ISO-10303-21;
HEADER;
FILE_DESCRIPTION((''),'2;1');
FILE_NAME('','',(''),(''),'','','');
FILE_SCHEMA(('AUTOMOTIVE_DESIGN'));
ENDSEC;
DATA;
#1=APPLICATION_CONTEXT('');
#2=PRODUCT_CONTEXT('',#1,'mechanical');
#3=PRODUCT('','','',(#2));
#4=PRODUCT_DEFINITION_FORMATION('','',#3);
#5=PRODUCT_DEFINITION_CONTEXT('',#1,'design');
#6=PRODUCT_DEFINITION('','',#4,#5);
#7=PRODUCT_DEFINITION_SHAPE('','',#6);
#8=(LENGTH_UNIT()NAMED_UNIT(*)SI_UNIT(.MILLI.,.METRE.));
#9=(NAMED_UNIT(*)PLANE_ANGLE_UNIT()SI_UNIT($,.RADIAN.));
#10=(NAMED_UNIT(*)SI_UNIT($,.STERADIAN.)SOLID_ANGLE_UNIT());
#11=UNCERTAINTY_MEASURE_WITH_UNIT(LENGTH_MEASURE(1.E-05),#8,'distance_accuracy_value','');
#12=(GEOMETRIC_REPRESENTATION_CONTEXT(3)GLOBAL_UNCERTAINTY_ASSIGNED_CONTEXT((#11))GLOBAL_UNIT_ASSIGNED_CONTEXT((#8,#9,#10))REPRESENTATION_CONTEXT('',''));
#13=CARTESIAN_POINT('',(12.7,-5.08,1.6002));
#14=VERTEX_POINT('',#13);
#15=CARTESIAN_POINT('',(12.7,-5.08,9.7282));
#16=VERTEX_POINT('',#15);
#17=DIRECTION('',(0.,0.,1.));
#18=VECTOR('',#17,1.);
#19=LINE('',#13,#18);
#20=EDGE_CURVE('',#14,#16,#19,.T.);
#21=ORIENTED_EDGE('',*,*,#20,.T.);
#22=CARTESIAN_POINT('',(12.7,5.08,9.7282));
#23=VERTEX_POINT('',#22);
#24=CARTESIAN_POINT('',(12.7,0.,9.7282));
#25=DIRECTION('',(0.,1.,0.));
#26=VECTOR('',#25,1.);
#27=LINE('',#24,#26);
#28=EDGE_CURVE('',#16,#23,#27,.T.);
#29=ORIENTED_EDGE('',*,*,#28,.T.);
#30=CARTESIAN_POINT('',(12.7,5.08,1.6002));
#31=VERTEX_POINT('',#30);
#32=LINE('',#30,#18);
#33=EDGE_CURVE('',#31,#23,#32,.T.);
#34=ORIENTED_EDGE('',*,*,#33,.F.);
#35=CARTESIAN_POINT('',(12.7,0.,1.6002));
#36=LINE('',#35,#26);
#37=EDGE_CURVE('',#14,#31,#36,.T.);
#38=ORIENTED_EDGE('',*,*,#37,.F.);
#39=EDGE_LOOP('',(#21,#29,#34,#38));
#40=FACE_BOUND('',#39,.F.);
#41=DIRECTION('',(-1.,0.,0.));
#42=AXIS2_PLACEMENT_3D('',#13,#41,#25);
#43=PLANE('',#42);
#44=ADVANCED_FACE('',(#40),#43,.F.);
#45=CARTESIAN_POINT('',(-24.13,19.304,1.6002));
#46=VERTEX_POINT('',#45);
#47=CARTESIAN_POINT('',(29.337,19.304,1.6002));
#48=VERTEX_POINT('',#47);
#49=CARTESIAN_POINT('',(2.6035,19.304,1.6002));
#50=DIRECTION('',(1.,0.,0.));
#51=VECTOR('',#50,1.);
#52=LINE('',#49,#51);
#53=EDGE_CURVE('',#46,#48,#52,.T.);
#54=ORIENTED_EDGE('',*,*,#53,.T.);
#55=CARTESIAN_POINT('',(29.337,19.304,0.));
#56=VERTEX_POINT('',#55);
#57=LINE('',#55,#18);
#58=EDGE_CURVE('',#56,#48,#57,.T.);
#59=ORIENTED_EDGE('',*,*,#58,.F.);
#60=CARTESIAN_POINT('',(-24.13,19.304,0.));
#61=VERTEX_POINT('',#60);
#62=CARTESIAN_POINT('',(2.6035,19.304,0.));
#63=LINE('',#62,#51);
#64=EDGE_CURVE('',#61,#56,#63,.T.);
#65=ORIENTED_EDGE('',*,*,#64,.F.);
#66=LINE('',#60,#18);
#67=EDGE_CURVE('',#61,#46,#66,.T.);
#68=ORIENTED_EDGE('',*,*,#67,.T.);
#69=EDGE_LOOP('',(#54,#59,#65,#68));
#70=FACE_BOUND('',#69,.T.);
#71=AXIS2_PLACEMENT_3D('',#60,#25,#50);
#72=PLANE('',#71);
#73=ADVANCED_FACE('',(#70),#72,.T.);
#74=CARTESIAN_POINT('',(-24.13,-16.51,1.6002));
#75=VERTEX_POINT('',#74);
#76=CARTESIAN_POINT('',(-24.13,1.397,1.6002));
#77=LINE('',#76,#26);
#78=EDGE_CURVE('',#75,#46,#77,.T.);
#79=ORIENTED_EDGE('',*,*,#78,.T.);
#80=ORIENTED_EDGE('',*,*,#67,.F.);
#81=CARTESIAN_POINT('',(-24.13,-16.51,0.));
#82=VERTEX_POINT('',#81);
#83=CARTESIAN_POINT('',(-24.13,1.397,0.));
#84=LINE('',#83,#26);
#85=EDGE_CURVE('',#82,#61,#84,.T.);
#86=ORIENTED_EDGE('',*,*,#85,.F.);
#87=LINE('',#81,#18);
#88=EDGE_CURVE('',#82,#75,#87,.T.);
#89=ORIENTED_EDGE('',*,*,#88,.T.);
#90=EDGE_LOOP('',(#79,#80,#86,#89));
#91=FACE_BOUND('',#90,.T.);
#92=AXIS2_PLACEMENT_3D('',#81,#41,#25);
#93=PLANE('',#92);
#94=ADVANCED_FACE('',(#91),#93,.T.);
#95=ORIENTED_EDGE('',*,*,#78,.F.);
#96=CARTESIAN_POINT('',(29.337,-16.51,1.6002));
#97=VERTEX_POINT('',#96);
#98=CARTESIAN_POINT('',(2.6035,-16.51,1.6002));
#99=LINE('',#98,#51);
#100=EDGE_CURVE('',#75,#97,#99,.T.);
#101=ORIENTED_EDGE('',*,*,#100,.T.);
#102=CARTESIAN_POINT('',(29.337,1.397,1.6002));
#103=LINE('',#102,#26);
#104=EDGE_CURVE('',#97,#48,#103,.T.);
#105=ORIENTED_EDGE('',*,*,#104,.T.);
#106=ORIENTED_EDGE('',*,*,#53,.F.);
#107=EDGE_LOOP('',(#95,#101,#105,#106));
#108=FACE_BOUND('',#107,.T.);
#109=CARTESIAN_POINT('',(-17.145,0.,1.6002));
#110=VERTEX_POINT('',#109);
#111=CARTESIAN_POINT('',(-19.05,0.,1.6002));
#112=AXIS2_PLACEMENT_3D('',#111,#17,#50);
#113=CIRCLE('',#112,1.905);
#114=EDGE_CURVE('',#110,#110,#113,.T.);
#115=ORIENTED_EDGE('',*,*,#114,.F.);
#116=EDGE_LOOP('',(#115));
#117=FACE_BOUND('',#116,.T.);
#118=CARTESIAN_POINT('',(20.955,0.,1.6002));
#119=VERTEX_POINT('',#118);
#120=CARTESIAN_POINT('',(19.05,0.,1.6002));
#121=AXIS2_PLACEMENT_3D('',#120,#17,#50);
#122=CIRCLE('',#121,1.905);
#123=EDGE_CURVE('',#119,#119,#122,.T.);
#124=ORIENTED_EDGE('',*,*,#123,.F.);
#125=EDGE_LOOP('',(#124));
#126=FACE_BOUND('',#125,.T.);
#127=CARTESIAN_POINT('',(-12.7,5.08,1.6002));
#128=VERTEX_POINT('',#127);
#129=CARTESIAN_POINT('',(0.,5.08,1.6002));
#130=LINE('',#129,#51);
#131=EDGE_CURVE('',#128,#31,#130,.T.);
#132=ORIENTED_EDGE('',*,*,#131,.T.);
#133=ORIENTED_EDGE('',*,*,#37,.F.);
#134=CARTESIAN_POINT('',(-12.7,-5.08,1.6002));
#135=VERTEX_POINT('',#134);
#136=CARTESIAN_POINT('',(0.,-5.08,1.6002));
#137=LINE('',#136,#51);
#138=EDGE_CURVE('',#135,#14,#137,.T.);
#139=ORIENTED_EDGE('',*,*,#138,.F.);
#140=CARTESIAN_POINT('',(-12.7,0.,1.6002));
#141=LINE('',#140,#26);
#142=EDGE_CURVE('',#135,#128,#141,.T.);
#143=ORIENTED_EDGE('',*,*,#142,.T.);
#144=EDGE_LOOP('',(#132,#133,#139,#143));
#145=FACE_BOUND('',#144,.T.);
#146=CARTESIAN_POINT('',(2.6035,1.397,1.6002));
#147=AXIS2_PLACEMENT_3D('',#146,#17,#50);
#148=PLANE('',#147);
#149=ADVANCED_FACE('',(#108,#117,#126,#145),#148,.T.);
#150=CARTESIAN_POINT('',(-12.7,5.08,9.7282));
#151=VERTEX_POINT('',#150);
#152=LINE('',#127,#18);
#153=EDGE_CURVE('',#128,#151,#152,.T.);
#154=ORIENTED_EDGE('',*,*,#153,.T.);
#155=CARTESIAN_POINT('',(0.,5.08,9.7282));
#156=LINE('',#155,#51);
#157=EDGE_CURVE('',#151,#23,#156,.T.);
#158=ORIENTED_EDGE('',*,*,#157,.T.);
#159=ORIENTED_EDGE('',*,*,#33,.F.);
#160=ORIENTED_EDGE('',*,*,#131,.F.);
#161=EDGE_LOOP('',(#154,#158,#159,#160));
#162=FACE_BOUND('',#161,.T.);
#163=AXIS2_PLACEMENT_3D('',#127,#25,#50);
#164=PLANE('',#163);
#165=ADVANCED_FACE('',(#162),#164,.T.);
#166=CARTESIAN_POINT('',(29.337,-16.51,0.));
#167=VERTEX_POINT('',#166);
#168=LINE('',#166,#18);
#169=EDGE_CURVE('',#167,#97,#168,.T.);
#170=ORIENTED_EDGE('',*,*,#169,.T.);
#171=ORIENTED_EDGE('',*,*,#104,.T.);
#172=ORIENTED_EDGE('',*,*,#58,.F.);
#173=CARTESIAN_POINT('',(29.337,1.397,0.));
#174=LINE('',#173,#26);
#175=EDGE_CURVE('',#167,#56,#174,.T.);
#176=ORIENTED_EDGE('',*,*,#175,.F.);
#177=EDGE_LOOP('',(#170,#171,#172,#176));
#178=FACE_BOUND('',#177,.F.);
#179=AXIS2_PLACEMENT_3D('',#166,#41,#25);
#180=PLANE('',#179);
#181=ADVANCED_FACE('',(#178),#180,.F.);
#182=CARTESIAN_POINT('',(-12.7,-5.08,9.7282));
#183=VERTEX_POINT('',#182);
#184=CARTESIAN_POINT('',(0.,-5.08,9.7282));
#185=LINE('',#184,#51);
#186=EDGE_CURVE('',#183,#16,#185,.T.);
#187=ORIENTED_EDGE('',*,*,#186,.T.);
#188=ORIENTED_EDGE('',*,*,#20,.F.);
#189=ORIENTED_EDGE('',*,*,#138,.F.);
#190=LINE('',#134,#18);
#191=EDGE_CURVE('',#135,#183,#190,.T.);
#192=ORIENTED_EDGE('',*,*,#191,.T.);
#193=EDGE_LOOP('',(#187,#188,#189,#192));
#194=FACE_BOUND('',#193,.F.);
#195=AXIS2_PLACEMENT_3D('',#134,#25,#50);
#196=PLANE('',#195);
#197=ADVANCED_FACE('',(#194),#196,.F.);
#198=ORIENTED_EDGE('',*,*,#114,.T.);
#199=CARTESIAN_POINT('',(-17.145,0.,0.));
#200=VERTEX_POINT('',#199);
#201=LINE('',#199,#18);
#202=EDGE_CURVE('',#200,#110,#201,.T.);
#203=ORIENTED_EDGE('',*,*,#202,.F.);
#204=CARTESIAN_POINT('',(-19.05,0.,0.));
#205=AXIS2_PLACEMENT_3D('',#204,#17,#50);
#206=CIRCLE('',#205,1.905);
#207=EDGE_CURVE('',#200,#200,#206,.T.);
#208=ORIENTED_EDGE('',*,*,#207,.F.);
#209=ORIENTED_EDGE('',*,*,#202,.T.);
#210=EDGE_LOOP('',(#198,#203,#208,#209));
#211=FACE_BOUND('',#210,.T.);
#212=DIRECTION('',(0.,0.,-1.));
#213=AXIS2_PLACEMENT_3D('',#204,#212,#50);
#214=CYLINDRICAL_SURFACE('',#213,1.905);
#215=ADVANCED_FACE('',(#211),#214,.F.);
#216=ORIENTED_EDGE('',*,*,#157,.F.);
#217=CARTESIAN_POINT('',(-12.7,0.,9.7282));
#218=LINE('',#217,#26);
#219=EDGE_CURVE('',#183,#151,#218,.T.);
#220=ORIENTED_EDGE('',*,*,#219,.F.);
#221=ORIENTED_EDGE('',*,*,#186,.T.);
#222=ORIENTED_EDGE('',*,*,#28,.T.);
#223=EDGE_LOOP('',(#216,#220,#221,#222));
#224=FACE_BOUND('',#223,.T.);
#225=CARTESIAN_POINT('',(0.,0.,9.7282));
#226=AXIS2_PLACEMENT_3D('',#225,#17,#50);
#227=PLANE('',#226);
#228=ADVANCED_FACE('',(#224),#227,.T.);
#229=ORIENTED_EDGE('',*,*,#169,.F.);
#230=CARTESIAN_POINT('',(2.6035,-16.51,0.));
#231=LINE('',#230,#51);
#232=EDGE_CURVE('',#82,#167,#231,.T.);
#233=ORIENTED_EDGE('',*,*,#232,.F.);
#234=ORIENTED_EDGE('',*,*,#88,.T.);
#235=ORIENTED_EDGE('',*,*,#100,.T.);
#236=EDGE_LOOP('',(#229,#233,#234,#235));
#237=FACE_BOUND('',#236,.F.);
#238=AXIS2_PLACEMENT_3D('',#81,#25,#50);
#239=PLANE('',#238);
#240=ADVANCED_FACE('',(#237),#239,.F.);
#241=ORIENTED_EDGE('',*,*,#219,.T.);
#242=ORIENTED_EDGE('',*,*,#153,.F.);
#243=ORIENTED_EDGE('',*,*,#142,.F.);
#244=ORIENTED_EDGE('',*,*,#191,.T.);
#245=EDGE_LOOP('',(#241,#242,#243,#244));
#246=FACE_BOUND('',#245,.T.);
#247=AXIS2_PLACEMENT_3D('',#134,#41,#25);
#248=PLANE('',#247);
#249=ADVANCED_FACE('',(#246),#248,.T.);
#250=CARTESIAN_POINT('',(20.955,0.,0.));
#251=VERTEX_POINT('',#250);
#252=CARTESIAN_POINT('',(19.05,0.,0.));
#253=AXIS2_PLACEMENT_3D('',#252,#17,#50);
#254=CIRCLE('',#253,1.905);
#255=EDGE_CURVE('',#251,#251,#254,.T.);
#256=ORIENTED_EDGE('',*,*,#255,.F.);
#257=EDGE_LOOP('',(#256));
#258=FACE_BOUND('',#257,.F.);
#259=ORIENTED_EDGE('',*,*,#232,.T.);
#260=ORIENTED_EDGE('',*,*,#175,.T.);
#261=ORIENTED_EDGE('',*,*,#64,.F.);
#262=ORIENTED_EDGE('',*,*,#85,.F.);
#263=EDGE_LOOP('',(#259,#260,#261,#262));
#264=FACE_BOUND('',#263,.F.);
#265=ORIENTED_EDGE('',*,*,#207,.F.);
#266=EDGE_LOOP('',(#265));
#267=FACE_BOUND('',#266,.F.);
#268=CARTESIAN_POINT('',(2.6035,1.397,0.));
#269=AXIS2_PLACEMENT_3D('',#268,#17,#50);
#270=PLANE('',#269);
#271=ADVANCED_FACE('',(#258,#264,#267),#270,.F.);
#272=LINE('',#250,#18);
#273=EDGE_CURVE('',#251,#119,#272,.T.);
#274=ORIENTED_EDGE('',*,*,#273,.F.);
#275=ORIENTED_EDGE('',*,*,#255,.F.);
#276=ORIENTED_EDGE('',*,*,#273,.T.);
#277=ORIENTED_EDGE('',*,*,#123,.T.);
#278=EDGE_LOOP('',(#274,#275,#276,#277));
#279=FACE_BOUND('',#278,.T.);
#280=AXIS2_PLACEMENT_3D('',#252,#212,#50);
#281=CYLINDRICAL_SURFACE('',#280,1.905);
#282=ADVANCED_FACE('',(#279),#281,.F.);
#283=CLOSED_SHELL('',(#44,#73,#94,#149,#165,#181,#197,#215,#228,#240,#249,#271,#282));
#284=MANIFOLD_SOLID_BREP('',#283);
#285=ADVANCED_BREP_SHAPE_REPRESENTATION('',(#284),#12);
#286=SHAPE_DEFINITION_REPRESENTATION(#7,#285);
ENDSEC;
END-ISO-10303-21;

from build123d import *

# Parameters (mm, degrees)
F0_W     = 53.467
F0_H     = 35.814
F0_R     = 1.905
F1_DEPTH = 1.6002
F2_W     = 25.4
F2_H     = 10.16
F3_DEPTH = 8.128


with BuildPart() as f1:
    # F0 (on Top) → F1 (new body)
    with BuildSketch(Plane.XY):
        with Locations((2.6035, 1.397)):
            Rectangle(F0_W, F0_H)
        with Locations((-19.05, 0)):
            Circle(F0_R, mode=Mode.SUBTRACT)
        with Locations((19.05, 0)):
            Circle(F0_R, mode=Mode.SUBTRACT)
    extrude(amount=F1_DEPTH)

    # F2 (on face) → F3 (join)
    with BuildSketch(Plane.XY.offset(1.6002)):
        Rectangle(F2_W, F2_H)
    extrude(amount=F3_DEPTH)


solid = f1.part
